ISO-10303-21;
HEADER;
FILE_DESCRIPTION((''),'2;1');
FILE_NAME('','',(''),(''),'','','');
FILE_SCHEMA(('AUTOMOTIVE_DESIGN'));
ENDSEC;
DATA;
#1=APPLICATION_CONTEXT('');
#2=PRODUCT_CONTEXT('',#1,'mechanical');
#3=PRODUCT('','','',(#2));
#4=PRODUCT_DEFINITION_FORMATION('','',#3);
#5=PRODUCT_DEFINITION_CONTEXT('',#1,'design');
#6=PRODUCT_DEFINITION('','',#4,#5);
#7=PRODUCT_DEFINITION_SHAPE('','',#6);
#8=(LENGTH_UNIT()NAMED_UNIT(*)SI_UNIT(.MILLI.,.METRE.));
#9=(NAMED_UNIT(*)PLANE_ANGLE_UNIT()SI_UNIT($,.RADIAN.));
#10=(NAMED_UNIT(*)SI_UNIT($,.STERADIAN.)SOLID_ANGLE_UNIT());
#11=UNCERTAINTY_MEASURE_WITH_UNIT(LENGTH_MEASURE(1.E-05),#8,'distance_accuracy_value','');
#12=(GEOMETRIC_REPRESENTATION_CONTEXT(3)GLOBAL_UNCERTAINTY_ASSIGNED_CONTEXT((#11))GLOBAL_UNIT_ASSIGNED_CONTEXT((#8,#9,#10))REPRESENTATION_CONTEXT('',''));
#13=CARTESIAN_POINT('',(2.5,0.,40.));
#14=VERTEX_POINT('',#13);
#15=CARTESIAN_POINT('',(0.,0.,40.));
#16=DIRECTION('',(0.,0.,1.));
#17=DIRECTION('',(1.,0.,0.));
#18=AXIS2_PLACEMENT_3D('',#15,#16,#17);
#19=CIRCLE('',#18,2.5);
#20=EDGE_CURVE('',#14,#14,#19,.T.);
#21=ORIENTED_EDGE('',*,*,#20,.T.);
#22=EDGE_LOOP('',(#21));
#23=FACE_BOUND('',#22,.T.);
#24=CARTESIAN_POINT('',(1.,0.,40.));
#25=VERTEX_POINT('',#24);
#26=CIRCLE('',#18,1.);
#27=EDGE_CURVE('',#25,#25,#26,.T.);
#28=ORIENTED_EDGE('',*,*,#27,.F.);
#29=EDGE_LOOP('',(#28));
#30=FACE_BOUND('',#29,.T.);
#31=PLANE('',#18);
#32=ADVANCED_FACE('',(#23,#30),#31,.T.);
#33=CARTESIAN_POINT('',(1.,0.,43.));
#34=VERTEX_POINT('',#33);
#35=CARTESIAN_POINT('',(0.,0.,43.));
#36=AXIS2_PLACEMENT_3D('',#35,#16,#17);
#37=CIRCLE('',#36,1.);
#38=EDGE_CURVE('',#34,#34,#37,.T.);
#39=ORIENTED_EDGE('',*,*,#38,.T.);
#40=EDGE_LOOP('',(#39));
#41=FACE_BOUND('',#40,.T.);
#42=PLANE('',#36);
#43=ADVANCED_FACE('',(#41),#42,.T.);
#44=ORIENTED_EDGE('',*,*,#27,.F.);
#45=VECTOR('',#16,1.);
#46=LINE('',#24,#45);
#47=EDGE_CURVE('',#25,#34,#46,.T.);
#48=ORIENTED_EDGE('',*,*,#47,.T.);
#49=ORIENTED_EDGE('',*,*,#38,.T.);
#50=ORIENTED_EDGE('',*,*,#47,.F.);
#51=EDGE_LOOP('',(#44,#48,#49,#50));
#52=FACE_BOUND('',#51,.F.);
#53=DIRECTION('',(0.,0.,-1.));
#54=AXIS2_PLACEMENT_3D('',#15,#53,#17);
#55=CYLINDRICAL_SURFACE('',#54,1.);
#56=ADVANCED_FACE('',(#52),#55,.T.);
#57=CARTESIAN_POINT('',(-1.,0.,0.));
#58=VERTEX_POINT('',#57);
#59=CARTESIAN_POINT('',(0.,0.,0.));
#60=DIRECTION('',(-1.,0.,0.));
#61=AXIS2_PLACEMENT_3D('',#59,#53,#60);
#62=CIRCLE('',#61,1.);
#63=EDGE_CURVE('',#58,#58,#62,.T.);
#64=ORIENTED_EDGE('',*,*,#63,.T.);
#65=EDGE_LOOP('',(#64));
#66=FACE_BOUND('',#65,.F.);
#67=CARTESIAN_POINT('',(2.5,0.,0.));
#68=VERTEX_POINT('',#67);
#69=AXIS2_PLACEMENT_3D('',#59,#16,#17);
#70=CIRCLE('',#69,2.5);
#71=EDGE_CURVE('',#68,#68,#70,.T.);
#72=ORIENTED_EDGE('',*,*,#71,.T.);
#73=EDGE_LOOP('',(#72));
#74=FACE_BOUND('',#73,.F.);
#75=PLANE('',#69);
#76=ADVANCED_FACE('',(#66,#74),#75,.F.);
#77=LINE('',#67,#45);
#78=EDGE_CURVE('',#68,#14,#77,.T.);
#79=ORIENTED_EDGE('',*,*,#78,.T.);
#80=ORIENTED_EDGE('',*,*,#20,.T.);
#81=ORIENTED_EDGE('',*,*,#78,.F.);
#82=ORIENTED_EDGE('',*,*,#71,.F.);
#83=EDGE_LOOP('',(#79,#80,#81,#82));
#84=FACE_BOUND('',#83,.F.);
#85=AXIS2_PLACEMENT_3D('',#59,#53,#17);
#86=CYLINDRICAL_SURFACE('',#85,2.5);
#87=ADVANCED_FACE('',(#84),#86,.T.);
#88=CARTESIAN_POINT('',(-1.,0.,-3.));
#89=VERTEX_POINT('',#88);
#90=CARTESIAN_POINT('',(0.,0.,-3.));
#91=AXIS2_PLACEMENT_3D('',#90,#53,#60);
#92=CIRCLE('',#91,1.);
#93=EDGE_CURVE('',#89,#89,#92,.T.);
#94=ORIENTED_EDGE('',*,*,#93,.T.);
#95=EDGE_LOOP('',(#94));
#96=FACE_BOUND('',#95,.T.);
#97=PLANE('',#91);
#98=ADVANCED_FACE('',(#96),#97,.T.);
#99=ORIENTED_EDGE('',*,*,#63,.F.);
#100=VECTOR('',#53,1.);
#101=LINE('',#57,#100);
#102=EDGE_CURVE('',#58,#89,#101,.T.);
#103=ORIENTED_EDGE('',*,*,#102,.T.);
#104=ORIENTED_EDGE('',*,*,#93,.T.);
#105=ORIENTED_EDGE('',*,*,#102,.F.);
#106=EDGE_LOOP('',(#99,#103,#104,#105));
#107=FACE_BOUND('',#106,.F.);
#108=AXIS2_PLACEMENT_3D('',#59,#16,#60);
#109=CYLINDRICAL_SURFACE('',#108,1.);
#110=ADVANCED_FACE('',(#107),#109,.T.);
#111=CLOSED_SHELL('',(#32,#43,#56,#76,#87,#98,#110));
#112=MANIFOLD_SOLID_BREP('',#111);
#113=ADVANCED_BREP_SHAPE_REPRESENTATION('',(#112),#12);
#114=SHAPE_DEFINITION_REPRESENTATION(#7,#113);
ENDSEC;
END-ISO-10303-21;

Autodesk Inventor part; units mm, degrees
ref_plane "YZ Plane" through (0, 0, 0) normal (1, 0, 0) x (0, 1, 0)
ref_plane "XZ Plane" through (0, 0, 0) normal (0, 1, 0) x (-1, 0, 0)
ref_plane "XY Plane" through (0, 0, 0) normal (0, 0, 1) x (1, 0, 0)
sketch "Sketch1" plane through (0, 0, 0) normal (0, 0, 1) x (1, 0, 0)
  circle A0 centre (0, 0) radius 2.5
  dimension "d0" = 5
extrude "Extrusion1" add sketch "Sketch1" along normal blind 40
sketch "Sketch2" plane through (0, 0, 40) normal (0, 0, 1) x (1, 0, 0)
  circle A0 centre (0, 0) radius 2.5 projected
  circle A1 centre (0, 0) radius 1
  dimension "d3" = 2
extrude "Extrusion2" add sketch "Sketch2" along normal blind 3 contours A1
sketch "Sketch3" plane through (0, 0, 0) normal (0, 0, -1) x (-1, 0, 0)
  circle A0 centre (0, 0) radius 1
  dimension "d6" = 2
extrude "Extrusion3" add sketch "Sketch3" along normal blind 3
properties part number "Bone-4cm"
